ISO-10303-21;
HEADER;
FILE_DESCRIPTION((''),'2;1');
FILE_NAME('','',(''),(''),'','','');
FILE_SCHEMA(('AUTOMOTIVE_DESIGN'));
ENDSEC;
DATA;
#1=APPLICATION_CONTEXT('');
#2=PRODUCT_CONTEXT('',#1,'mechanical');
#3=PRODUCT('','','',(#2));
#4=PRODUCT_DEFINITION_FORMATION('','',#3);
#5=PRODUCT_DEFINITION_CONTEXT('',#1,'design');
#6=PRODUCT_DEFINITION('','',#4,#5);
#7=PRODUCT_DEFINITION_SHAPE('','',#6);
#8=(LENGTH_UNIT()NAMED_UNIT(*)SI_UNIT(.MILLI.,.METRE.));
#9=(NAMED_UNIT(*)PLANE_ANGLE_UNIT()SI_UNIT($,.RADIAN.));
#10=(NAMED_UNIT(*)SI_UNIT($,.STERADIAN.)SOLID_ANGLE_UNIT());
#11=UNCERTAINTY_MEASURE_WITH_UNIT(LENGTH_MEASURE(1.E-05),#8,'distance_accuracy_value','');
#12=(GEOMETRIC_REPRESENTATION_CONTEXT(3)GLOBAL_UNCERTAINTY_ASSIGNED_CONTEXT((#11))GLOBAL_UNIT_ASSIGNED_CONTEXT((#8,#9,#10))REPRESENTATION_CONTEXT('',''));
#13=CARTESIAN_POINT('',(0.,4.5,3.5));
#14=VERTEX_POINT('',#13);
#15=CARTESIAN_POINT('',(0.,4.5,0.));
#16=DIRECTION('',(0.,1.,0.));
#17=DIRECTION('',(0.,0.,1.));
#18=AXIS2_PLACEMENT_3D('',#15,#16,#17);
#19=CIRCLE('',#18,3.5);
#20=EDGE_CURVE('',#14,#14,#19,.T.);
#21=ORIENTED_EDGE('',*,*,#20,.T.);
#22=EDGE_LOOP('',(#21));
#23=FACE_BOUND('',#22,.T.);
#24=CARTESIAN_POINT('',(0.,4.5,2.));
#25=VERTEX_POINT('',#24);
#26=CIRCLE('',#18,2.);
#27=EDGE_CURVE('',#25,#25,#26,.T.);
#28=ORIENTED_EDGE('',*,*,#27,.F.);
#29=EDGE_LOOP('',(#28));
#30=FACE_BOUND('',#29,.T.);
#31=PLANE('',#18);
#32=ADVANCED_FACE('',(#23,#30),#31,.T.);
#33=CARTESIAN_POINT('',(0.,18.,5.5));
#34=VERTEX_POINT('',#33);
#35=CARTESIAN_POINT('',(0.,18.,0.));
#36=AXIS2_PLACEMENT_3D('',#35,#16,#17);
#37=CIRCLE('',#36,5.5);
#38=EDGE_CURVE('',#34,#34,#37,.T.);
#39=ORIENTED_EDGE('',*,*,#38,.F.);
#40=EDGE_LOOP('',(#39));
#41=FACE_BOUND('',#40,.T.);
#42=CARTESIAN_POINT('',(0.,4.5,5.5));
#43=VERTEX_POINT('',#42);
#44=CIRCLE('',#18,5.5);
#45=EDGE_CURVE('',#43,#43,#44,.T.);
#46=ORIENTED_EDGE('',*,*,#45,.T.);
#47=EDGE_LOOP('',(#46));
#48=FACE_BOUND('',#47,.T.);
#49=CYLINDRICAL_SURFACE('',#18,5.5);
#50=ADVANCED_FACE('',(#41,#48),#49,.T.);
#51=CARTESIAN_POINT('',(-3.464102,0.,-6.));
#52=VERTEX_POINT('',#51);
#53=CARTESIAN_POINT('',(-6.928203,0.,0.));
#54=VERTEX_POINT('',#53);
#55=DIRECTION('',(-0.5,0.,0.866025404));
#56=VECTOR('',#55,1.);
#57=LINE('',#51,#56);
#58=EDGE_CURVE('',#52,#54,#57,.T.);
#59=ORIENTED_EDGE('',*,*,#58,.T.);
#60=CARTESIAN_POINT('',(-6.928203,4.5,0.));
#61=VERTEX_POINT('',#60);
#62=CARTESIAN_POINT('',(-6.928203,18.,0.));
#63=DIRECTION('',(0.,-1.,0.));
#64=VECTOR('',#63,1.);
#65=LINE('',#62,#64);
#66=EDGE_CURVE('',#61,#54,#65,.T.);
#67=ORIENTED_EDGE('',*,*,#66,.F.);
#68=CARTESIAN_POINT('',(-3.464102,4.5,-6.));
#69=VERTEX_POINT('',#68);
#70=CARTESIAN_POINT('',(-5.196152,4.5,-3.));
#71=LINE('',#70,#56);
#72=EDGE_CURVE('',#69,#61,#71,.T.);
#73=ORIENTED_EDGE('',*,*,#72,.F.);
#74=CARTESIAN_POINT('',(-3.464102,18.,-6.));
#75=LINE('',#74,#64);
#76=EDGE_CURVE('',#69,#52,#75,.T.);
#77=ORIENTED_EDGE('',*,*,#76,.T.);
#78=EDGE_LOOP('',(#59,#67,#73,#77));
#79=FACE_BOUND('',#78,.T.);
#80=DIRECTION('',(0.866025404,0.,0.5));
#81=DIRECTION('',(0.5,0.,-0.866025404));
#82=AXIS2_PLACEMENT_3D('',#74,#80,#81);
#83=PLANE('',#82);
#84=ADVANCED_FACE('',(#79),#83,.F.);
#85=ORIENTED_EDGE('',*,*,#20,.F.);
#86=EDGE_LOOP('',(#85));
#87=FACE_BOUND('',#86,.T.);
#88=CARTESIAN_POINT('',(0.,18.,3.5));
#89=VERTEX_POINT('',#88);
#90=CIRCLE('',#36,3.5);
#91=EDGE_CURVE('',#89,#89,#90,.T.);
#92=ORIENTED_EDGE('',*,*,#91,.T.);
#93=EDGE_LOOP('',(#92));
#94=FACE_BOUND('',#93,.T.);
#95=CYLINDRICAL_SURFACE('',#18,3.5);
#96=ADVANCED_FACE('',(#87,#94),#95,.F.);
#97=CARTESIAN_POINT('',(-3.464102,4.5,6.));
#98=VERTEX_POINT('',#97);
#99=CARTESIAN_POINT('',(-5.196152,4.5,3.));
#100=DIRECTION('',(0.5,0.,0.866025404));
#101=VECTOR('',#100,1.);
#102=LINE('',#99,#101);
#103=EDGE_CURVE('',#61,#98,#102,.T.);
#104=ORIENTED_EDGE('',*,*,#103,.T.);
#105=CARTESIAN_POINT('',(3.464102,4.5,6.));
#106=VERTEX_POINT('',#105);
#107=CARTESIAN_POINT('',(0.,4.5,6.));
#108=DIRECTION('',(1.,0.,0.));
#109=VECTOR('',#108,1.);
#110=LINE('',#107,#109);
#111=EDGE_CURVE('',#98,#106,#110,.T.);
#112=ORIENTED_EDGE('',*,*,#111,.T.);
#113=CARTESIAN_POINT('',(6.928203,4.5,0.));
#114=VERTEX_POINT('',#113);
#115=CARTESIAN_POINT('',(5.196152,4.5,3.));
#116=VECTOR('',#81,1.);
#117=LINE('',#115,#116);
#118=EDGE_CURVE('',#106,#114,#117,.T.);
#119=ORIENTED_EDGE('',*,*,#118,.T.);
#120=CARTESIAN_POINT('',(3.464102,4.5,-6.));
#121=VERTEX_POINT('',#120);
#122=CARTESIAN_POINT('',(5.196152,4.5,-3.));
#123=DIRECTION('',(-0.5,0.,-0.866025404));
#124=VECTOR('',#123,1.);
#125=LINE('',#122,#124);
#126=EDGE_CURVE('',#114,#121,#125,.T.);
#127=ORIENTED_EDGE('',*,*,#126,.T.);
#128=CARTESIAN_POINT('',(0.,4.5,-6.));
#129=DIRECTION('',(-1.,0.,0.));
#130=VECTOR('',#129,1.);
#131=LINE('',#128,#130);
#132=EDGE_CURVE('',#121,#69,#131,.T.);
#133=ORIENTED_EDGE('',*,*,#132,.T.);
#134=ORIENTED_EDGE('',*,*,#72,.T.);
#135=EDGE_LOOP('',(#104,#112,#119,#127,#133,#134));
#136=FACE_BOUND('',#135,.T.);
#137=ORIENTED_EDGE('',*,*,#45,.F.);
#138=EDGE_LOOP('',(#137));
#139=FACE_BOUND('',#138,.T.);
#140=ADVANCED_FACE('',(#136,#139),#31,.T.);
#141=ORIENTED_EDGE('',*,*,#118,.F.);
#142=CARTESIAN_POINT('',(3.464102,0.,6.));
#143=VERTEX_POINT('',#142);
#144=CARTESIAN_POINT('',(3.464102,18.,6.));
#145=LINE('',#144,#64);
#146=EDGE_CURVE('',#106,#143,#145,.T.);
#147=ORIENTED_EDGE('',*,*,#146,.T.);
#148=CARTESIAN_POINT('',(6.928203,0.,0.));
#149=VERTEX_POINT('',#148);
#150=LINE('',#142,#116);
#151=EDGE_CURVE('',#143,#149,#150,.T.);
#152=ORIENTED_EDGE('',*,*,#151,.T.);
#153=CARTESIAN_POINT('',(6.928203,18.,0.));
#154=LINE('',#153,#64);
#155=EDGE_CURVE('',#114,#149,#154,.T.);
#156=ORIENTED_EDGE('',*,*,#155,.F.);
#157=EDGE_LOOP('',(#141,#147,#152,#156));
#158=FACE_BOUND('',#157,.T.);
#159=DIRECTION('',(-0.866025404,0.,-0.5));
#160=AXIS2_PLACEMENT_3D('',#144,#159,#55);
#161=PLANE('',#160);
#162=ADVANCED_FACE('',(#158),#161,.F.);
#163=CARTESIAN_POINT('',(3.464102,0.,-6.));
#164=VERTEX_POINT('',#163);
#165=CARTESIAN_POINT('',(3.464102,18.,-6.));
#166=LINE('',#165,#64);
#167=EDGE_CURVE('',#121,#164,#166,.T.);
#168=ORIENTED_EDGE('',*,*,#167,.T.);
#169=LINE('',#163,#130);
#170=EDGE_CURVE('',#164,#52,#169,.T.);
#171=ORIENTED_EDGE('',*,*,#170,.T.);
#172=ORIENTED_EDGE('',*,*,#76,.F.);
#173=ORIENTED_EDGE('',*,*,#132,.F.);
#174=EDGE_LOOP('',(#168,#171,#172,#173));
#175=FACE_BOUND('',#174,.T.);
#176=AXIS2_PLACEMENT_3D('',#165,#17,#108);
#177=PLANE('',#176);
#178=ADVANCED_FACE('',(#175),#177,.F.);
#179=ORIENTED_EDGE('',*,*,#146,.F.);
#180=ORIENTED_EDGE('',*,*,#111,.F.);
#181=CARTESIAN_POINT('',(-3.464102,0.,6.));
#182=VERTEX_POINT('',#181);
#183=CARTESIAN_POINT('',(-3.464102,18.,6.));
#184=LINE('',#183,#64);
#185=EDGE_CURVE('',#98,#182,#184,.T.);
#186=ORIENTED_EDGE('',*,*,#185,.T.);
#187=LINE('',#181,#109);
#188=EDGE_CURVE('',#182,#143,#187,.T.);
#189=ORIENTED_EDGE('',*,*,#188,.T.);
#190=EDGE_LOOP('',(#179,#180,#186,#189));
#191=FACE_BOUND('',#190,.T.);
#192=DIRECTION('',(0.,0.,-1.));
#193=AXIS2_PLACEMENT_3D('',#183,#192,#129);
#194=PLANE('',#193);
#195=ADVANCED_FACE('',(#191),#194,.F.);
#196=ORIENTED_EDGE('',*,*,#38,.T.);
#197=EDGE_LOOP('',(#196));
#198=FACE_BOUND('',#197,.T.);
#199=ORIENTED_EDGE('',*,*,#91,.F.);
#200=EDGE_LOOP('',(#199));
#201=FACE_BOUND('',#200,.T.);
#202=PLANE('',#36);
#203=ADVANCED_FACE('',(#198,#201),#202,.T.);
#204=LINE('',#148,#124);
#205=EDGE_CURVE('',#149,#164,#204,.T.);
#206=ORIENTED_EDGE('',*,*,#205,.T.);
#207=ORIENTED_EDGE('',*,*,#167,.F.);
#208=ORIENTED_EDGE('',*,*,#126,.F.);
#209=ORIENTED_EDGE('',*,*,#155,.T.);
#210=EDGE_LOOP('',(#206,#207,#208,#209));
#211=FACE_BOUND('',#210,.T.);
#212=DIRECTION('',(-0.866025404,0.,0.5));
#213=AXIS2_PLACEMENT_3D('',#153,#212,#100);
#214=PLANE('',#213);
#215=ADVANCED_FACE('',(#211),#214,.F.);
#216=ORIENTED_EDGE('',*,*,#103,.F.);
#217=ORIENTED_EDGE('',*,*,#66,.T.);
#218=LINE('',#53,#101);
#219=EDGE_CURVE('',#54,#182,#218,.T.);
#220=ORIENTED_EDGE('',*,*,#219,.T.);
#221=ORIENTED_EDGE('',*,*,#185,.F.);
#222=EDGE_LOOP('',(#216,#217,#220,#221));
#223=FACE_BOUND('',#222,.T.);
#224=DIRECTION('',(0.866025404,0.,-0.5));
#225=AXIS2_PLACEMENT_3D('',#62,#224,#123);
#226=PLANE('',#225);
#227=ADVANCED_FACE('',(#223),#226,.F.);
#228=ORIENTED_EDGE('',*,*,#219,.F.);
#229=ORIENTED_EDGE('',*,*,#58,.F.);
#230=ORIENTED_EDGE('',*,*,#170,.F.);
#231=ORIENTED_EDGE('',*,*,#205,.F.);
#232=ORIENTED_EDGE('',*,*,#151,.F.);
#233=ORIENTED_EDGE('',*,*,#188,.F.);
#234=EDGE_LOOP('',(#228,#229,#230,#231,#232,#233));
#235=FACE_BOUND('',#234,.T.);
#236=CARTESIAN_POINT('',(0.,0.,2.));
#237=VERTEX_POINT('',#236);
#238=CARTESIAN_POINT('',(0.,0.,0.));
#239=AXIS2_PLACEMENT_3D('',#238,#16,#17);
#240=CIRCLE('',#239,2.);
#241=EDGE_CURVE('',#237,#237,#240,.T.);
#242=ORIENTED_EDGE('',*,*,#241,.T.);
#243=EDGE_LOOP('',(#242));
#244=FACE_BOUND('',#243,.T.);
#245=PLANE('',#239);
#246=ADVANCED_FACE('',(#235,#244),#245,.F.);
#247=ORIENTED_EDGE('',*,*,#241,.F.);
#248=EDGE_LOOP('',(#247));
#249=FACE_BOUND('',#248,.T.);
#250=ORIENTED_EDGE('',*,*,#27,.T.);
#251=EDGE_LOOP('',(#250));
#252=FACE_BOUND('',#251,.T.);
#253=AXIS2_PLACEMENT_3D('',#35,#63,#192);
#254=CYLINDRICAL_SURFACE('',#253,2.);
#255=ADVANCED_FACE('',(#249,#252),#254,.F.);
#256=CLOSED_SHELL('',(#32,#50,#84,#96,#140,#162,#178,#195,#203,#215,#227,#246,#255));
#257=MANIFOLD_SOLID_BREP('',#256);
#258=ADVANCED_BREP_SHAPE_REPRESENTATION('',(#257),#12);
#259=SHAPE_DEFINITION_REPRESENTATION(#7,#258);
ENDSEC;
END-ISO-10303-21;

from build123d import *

# Parameters (mm, degrees)
SKETCH_1_R          = 2
EXTRUDE_1_DEPTH     = 18
SKETCH_2_R          = 5.5
SKETCH_2_R_2        = 3.5
CUT_EXTRUDE_2_DEPTH = 13.5


with BuildPart() as part:
    # 草图1 → 凸台-拉伸1 (new body)
    with BuildSketch(Plane(origin=(0, 0, 0), x_dir=(1, 0, 0), z_dir=(0, 1, 0))):
        Polygon((6.92820323, 0), (3.464101615, 6), (-3.464101615, 6), (-6.92820323, 0), (-3.464101615, -6), (3.464101615, -6), align=None)
        with Locations(Location((0, 0, 0), (0, 0, 270))):
            Circle(SKETCH_1_R, mode=Mode.SUBTRACT)
    extrude(amount=EXTRUDE_1_DEPTH)

    # 草图2 → 切除-拉伸2 (cut)
    # profile 1 of 2: a face of its own
    with BuildSketch(Plane(origin=(0, 18, 0), x_dir=(1, 0, 0), z_dir=(0, 1, 0))):
        Polygon((-6.92820323, 0), (-3.464101615, -6), (3.464101615, -6), (6.92820323, 0), (3.464101615, 6), (-3.464101615, 6), align=None)
        with Locations(Location((0, 0, 0), (0, 0, 270))):
            Circle(SKETCH_2_R, mode=Mode.SUBTRACT)
    # profile 2 of 2: a face of its own
    with BuildSketch(Plane(origin=(0, 18, 0), x_dir=(1, 0, 0), z_dir=(0, 1, 0))):
        with Locations(Location((0, 0, 0), (0, 0, 270))):
            Circle(SKETCH_2_R_2)
    extrude(amount=-CUT_EXTRUDE_2_DEPTH, mode=Mode.SUBTRACT)


solid = part.part
